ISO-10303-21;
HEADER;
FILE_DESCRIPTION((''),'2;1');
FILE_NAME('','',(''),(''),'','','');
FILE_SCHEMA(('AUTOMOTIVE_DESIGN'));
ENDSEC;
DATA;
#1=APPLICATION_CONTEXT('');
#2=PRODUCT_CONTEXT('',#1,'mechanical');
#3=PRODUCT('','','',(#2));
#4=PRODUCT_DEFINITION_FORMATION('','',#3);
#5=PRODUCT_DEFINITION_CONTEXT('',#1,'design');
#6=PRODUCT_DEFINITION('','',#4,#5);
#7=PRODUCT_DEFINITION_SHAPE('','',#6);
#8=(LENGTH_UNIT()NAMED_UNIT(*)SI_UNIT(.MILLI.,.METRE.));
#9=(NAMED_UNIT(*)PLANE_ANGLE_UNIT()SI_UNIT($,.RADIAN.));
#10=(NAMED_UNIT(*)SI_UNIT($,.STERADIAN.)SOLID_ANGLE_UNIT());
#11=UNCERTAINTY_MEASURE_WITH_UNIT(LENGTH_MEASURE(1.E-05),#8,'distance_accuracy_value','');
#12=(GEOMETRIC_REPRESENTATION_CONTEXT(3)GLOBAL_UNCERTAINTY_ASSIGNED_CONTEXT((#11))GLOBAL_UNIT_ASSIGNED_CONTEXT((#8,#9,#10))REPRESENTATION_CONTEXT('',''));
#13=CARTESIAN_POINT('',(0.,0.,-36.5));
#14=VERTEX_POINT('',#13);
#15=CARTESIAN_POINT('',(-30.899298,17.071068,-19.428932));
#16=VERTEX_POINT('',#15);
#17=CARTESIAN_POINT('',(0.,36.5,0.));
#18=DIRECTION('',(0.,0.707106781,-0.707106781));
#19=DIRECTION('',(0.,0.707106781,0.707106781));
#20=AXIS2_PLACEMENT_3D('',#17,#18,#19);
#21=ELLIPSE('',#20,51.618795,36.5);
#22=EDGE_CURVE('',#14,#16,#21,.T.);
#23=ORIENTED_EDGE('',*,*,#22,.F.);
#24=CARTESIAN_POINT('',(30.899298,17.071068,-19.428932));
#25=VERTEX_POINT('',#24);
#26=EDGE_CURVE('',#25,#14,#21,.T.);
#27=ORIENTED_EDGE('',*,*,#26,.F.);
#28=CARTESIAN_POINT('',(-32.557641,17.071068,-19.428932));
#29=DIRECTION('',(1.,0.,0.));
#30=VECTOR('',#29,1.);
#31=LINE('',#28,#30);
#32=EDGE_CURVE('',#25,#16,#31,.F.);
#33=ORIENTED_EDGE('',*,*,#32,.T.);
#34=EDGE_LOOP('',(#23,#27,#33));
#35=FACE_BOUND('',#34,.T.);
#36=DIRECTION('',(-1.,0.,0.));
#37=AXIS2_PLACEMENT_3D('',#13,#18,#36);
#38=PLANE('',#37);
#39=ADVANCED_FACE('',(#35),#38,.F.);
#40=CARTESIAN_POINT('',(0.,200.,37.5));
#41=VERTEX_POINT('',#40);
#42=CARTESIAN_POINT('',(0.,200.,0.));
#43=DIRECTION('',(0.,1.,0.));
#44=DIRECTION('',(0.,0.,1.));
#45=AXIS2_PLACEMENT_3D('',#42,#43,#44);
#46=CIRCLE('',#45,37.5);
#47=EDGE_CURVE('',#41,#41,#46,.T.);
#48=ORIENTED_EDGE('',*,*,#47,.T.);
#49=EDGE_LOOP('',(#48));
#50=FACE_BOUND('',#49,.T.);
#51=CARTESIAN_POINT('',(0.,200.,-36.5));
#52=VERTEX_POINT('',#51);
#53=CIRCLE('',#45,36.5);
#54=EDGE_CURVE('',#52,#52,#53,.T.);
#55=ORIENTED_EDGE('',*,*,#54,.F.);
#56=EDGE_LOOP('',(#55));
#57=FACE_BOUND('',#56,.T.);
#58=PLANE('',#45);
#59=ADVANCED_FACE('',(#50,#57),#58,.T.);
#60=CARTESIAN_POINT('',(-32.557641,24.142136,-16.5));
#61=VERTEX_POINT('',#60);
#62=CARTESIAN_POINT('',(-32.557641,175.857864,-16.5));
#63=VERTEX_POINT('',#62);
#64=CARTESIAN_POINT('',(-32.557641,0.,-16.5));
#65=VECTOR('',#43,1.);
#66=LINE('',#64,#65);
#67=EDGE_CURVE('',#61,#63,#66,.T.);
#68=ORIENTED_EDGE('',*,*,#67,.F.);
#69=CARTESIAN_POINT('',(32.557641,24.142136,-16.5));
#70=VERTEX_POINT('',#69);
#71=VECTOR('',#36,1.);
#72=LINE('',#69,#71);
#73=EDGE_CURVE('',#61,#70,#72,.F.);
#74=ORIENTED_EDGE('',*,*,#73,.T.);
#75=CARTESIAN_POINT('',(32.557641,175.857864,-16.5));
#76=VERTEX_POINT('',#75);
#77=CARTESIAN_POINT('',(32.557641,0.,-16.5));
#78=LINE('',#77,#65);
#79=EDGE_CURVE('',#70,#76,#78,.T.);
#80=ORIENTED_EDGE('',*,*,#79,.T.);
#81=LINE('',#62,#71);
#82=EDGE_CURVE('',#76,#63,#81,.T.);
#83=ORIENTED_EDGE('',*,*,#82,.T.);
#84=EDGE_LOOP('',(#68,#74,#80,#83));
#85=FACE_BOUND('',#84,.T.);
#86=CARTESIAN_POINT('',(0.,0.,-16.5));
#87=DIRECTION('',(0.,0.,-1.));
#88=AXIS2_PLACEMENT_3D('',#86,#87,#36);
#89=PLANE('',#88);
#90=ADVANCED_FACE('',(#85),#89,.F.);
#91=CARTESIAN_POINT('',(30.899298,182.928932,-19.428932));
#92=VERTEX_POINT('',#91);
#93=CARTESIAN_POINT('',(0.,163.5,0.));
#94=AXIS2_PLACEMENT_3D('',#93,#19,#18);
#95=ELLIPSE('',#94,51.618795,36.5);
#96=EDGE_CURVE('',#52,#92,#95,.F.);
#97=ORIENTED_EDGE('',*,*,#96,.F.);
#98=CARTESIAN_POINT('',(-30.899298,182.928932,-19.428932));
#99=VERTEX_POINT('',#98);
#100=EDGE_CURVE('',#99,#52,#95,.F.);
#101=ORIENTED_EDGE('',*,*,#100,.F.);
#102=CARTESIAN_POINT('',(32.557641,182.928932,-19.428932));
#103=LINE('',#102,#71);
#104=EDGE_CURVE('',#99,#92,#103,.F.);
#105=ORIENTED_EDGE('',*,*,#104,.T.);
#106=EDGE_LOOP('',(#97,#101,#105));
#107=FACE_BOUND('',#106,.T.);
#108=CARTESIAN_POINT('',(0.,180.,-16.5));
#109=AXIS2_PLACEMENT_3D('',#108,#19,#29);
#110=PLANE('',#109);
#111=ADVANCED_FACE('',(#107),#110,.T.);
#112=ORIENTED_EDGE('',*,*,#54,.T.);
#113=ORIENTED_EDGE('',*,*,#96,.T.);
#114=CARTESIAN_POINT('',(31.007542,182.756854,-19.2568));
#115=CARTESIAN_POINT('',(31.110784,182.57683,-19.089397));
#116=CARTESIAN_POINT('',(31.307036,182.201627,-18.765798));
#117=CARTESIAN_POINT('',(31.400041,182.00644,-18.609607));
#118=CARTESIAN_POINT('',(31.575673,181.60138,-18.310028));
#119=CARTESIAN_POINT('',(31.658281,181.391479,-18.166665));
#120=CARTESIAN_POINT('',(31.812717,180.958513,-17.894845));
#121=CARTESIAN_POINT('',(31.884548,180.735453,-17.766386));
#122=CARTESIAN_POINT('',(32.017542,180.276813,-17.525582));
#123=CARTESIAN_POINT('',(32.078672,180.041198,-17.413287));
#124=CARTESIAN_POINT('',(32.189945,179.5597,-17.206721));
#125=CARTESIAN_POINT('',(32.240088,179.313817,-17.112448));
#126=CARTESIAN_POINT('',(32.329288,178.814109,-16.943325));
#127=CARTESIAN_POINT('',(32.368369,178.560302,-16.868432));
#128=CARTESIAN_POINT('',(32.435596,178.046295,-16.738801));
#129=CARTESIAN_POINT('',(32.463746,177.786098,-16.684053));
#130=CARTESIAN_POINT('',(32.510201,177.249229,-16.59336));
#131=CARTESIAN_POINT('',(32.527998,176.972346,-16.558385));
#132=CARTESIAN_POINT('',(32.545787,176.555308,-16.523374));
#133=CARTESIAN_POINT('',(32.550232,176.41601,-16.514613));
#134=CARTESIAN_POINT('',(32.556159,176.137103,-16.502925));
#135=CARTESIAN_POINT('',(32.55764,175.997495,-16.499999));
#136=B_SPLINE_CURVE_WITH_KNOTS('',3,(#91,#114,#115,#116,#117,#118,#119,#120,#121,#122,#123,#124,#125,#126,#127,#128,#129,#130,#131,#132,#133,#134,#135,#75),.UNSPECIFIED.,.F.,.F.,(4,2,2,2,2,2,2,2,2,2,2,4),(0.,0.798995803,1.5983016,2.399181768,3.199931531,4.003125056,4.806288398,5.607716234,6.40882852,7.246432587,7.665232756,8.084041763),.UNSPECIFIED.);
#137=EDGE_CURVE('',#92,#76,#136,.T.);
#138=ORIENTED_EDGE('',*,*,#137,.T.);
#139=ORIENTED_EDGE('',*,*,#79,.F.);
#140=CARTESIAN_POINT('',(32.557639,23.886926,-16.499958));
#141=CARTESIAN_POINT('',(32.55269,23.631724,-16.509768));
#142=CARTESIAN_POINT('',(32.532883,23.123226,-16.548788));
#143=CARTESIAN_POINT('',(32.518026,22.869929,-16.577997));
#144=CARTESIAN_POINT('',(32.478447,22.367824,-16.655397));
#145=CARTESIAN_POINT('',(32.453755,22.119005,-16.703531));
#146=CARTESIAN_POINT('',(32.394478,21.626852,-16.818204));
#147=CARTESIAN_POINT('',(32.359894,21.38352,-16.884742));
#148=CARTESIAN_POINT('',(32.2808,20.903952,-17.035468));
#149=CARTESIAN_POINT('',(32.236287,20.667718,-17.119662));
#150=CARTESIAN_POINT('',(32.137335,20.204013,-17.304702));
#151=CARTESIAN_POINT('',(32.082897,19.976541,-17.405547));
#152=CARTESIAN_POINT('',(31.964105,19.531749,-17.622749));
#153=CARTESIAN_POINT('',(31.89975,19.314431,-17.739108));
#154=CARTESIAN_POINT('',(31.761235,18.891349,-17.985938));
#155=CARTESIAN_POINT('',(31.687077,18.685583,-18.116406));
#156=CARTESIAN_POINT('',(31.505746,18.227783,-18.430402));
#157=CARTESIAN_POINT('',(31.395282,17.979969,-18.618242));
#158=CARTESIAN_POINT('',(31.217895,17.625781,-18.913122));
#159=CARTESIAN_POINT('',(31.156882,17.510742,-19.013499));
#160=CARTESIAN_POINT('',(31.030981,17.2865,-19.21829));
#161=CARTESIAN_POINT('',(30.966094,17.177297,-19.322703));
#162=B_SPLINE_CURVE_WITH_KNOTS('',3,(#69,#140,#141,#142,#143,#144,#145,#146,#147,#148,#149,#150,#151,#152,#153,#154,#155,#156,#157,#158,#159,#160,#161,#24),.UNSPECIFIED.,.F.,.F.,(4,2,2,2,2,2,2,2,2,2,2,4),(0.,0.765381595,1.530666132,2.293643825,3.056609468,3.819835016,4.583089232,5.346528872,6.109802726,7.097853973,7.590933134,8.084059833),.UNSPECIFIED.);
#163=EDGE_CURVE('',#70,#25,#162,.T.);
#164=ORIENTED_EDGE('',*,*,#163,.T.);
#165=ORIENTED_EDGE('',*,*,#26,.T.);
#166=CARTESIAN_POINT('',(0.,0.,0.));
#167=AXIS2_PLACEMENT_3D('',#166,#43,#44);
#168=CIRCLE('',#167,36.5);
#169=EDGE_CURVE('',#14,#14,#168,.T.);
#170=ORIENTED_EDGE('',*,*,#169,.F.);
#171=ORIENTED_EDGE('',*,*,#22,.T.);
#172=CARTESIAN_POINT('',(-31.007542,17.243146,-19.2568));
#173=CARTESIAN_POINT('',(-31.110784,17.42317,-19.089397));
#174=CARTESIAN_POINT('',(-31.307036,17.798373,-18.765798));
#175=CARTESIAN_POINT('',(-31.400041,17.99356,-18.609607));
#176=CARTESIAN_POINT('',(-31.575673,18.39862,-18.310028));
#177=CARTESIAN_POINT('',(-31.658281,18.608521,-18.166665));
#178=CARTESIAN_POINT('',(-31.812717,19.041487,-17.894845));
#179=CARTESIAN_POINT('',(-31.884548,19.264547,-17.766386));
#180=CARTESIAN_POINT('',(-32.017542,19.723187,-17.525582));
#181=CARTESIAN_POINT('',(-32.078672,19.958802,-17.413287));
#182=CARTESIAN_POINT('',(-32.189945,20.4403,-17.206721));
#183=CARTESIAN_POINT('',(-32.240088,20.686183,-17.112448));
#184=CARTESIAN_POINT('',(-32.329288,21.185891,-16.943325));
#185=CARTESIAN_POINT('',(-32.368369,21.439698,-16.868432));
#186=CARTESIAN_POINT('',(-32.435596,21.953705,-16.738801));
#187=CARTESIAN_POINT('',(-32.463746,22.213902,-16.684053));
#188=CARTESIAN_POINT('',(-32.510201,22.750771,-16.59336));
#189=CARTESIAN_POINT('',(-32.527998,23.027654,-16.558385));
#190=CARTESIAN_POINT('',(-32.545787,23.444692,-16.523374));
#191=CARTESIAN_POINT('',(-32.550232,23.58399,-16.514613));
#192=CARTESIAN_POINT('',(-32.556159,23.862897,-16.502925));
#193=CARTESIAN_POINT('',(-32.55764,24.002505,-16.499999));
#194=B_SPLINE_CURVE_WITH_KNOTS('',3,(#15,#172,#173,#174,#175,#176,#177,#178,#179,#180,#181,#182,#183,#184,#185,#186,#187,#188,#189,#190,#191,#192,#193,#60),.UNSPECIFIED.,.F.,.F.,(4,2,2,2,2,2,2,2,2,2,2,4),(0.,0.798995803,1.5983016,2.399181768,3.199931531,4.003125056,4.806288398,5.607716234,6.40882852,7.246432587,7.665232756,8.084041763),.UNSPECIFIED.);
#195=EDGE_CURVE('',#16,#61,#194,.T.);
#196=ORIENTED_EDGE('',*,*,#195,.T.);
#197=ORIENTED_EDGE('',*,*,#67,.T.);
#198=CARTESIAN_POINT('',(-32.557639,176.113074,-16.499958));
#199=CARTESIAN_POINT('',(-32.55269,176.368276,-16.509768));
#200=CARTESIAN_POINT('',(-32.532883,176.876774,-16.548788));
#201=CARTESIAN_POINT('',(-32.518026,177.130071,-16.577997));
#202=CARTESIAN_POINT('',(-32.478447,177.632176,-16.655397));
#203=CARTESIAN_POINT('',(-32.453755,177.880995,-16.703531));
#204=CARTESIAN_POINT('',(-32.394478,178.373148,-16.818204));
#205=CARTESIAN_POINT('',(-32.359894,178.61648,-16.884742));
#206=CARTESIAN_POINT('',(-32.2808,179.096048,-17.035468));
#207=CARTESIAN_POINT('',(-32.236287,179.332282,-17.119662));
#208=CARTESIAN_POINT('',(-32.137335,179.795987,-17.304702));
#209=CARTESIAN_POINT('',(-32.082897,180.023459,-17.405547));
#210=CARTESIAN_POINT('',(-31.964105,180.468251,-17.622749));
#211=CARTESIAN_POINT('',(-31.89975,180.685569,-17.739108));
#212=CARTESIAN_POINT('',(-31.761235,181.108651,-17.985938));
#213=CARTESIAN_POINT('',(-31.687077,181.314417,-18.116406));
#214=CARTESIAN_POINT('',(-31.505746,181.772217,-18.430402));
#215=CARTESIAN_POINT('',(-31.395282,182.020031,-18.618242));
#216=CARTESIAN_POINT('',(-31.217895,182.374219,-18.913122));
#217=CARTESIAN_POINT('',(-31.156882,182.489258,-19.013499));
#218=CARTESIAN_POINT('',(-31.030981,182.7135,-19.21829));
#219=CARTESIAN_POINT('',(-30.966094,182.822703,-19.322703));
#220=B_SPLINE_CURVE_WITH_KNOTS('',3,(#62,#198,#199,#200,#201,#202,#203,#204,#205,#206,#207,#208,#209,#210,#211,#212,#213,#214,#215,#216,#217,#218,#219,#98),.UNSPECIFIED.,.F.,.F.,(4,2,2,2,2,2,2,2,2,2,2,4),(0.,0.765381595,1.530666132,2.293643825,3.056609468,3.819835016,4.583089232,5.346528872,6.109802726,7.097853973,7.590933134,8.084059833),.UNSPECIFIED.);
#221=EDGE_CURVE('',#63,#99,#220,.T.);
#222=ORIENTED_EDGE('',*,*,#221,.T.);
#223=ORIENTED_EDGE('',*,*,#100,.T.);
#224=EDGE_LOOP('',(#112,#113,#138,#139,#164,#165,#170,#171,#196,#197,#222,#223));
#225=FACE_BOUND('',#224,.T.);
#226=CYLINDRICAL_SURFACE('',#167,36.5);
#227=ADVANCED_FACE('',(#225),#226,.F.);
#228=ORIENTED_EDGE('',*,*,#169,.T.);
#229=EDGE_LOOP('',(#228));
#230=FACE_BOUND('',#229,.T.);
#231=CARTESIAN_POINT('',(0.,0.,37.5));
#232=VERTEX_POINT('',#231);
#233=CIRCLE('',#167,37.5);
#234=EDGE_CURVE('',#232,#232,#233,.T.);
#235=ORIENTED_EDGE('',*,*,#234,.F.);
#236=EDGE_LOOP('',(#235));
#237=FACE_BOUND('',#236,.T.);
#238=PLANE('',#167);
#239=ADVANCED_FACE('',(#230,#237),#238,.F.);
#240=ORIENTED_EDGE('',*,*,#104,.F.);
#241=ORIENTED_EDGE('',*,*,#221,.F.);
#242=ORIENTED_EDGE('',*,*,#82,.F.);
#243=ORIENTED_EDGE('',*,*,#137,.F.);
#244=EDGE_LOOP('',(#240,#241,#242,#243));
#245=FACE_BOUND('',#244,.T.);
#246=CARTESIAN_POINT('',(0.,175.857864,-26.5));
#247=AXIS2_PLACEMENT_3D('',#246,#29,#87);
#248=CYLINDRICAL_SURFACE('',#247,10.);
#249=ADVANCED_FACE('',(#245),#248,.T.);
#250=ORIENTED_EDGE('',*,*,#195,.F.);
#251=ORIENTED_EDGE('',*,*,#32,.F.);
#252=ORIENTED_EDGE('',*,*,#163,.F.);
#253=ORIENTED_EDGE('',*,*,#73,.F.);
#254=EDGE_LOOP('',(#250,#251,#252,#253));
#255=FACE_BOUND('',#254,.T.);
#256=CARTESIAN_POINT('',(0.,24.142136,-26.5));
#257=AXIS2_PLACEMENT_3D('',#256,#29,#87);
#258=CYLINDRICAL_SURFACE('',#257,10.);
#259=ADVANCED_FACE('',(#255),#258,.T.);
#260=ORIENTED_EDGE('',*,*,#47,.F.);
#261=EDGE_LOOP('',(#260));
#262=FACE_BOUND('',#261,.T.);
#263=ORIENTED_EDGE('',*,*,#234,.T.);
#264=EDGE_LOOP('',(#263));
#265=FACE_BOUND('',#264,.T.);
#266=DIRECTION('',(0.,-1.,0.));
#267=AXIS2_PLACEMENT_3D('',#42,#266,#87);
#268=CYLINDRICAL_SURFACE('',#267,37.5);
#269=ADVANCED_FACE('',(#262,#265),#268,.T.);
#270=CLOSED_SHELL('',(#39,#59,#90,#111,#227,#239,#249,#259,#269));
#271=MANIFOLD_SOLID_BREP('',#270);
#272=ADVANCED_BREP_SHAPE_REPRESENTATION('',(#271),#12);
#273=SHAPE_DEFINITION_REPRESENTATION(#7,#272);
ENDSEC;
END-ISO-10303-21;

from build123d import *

# Parameters (mm, degrees)
SCHIZZO1_R                   = 37.5
ESTRUSIONE_ESTRUSIONE1_DEPTH = 200
TAGLIO_ESTRUSIONE2_DEPTH     = 207.911816966
SMUSSO3_SIZE                 = 20
RACCORDO1_R                  = 10


with BuildPart() as part:
    # Schizzo1 → Estrusione-Estrusione1 (new body)
    with BuildSketch(Plane(origin=(0, 0, 0), x_dir=(-1, 0, 0), z_dir=(0, 1, 0))):
        with Locations(Location((0, 0, 0), (0, 0, 90))):
            Circle(SCHIZZO1_R)
    extrude(amount=ESTRUSIONE_ESTRUSIONE1_DEPTH)

    # Schizzo2 → Taglio-Estrusione2 (cut, through all)
    with BuildSketch(Plane(origin=(0, 200, 0), x_dir=(-1, 0, 0), z_dir=(0, 1, 0))):
        with BuildLine():
            ThreePointArc((36.5, 0), (-8.482219535, 35.500731707), (-32.557641192, -16.5))
            Line((-32.557641192, -16.5), (32.557641192, -16.5))
            ThreePointArc((32.557641192, -16.5), (35.500731707, -8.482219535), (36.5, 0))
        make_face()
    extrude(amount=-TAGLIO_ESTRUSIONE2_DEPTH, mode=Mode.SUBTRACT)

    # Smusso3
    smusso3_edges = [part.edges().sort_by_distance(p)[0] for p in [
        (0, 0, -16.5),
        (0, 200, -16.5),
    ]]
    chamfer(smusso3_edges, length=SMUSSO3_SIZE)

    # Raccordo1
    raccordo1_edges = [part.edges().sort_by_distance(p)[0] for p in [
        (0, 20, -16.5),
        (0, 180, -16.5),
    ]]
    fillet(raccordo1_edges, radius=RACCORDO1_R)


solid = part.part
